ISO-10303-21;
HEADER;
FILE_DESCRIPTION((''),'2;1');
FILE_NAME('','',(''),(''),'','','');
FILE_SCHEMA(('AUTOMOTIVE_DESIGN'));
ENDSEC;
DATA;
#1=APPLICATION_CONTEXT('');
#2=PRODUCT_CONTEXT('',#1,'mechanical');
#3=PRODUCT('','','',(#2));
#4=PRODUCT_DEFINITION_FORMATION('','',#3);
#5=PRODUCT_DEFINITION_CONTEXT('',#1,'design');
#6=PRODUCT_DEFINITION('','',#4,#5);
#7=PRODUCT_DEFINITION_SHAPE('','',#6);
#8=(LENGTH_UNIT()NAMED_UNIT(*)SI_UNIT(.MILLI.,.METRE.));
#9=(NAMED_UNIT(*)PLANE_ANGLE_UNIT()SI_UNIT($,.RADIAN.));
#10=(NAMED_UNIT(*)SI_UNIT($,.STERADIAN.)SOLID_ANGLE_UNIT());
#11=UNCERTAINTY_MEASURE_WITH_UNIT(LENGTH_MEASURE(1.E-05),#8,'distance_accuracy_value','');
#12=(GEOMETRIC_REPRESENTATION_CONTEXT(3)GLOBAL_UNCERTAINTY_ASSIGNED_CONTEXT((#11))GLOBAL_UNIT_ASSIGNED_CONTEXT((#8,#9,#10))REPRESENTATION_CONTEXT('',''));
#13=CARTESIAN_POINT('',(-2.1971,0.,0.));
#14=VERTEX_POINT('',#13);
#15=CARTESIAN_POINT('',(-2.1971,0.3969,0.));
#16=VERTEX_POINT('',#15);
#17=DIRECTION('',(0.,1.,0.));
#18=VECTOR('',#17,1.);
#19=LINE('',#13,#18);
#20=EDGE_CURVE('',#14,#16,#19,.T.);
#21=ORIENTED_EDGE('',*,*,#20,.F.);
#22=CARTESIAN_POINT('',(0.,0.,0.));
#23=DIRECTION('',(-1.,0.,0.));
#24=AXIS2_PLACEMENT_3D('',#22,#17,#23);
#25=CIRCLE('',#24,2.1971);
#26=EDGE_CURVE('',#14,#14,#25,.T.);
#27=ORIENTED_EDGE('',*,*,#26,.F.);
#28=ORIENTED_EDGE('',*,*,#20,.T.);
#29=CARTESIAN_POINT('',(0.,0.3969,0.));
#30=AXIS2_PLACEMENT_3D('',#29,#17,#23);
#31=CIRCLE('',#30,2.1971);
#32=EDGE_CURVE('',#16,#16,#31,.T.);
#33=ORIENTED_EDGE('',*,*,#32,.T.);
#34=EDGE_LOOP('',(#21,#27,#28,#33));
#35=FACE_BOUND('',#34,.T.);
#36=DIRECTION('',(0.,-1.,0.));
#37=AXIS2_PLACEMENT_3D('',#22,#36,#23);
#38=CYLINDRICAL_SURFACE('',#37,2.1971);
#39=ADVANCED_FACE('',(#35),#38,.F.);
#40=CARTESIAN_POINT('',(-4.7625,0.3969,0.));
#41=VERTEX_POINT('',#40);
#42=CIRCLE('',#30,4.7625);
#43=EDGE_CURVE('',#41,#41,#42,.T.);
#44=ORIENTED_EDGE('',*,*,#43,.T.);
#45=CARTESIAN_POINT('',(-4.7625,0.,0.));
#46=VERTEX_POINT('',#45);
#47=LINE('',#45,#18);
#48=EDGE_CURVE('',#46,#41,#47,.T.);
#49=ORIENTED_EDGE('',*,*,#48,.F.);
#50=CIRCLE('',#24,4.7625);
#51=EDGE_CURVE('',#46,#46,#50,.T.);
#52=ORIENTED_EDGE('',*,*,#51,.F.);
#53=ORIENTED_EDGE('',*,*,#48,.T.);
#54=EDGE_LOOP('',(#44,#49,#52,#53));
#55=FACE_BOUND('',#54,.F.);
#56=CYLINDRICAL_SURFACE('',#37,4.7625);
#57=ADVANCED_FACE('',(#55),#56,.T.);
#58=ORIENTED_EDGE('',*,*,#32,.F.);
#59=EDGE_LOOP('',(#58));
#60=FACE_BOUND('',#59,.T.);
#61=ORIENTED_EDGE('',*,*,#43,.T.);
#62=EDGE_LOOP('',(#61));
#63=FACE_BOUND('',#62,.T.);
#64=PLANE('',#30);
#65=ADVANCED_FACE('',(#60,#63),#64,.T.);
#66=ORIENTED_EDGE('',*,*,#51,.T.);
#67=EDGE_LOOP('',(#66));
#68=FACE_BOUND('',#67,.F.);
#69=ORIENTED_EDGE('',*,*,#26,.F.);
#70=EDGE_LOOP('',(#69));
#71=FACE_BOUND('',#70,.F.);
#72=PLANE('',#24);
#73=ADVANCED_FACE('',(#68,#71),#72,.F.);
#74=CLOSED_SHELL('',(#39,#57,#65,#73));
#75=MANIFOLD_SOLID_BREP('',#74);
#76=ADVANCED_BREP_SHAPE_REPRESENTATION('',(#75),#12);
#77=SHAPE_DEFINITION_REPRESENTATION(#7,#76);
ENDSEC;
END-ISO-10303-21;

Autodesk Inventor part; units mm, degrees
ref_plane "YZ Plane" through (0, 0, 0) normal (1, 0, 0) x (0, 1, 0)
ref_plane "XZ Plane" through (0, 0, 0) normal (0, 1, 0) x (-1, 0, 0)
ref_plane "XY Plane" through (0, 0, 0) normal (0, 0, 1) x (1, 0, 0)
sketch "Sketch1" plane through (0, 0, 0) normal (0, 1, 0) x (-1, 0, 0)
  circle A0 centre (0, 0) radius 2.1971
  circle A1 centre (0, 0) radius 4.7625
  dimension "d0" = 4.3942
  dimension "d1" = 9.525
extrude "Extrusion1" add sketch "Sketch1" along normal blind 0.3969
properties material "Steel, Cast"
